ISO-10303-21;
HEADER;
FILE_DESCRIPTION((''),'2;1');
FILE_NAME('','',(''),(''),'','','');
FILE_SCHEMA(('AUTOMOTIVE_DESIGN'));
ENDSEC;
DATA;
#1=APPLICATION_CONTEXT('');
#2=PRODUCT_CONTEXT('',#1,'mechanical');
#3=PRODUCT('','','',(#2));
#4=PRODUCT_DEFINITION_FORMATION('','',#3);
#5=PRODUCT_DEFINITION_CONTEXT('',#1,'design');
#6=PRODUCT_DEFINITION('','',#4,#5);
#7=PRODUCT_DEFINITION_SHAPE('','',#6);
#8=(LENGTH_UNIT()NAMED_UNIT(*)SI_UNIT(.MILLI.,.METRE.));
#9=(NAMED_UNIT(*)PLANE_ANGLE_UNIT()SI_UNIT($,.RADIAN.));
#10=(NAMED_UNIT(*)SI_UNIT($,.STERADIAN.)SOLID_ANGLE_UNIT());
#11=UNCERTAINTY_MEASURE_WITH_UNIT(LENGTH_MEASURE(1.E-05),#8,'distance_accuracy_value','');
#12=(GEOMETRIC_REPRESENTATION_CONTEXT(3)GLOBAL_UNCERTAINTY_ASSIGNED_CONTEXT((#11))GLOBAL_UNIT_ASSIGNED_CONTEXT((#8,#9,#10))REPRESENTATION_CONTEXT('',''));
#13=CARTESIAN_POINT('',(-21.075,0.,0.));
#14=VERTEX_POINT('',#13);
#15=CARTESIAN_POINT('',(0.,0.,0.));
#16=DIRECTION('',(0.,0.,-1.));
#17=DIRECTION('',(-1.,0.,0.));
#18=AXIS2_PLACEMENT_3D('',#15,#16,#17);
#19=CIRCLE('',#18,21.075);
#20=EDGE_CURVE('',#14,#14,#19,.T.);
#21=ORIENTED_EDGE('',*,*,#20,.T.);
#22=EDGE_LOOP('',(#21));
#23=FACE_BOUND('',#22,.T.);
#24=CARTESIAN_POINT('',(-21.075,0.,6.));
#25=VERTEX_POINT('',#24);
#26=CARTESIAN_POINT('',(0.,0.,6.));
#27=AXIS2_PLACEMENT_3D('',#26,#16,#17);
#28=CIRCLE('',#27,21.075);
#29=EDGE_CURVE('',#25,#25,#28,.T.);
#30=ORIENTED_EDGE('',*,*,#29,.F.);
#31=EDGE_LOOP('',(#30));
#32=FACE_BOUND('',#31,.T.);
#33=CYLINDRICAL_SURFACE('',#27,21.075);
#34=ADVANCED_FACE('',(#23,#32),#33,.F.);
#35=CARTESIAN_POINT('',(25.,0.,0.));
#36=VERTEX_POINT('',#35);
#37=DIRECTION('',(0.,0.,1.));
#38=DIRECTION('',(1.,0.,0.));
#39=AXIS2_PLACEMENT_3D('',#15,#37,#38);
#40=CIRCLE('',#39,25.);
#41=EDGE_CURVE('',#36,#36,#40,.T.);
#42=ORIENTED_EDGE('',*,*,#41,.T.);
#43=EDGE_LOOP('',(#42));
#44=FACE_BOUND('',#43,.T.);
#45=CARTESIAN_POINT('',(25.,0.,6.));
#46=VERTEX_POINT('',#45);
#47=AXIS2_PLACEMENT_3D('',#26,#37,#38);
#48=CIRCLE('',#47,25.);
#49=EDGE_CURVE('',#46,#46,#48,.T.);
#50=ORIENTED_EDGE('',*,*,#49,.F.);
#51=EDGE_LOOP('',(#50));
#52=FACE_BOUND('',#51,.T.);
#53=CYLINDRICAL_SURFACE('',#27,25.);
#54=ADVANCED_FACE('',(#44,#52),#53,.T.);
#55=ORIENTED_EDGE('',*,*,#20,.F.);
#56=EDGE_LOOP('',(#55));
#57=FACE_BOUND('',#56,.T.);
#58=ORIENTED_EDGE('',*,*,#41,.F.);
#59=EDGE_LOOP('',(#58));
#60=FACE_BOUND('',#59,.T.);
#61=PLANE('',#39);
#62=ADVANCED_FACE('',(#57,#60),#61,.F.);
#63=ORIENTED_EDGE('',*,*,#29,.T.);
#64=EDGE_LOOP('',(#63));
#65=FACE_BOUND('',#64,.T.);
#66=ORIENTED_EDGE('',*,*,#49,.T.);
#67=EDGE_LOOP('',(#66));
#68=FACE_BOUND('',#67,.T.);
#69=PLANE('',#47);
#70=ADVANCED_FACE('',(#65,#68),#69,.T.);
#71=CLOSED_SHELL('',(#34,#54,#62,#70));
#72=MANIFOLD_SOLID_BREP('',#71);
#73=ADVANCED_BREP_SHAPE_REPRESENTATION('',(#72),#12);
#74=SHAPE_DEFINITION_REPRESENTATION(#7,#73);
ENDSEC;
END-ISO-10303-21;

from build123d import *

# Parameters (mm, degrees)
SKETCH1_R           = 25
BOSS_EXTRUDE1_DEPTH = 6
SKETCH2_R           = 21.075
CUT_EXTRUDE1_DEPTH  = 7


with BuildPart() as part:
    # Sketch1 → Boss-Extrude1 (new body)
    with BuildSketch(Plane.XY):
        Circle(SKETCH1_R)
    extrude(amount=BOSS_EXTRUDE1_DEPTH)

    # Sketch2 → Cut-Extrude1 (cut, through all)
    with BuildSketch(Plane(origin=(0, 0, 0), x_dir=(-1, 0, 0), z_dir=(0, 0, -1))):
        Circle(SKETCH2_R)
    extrude(amount=-CUT_EXTRUDE1_DEPTH, mode=Mode.SUBTRACT)


solid = part.part
